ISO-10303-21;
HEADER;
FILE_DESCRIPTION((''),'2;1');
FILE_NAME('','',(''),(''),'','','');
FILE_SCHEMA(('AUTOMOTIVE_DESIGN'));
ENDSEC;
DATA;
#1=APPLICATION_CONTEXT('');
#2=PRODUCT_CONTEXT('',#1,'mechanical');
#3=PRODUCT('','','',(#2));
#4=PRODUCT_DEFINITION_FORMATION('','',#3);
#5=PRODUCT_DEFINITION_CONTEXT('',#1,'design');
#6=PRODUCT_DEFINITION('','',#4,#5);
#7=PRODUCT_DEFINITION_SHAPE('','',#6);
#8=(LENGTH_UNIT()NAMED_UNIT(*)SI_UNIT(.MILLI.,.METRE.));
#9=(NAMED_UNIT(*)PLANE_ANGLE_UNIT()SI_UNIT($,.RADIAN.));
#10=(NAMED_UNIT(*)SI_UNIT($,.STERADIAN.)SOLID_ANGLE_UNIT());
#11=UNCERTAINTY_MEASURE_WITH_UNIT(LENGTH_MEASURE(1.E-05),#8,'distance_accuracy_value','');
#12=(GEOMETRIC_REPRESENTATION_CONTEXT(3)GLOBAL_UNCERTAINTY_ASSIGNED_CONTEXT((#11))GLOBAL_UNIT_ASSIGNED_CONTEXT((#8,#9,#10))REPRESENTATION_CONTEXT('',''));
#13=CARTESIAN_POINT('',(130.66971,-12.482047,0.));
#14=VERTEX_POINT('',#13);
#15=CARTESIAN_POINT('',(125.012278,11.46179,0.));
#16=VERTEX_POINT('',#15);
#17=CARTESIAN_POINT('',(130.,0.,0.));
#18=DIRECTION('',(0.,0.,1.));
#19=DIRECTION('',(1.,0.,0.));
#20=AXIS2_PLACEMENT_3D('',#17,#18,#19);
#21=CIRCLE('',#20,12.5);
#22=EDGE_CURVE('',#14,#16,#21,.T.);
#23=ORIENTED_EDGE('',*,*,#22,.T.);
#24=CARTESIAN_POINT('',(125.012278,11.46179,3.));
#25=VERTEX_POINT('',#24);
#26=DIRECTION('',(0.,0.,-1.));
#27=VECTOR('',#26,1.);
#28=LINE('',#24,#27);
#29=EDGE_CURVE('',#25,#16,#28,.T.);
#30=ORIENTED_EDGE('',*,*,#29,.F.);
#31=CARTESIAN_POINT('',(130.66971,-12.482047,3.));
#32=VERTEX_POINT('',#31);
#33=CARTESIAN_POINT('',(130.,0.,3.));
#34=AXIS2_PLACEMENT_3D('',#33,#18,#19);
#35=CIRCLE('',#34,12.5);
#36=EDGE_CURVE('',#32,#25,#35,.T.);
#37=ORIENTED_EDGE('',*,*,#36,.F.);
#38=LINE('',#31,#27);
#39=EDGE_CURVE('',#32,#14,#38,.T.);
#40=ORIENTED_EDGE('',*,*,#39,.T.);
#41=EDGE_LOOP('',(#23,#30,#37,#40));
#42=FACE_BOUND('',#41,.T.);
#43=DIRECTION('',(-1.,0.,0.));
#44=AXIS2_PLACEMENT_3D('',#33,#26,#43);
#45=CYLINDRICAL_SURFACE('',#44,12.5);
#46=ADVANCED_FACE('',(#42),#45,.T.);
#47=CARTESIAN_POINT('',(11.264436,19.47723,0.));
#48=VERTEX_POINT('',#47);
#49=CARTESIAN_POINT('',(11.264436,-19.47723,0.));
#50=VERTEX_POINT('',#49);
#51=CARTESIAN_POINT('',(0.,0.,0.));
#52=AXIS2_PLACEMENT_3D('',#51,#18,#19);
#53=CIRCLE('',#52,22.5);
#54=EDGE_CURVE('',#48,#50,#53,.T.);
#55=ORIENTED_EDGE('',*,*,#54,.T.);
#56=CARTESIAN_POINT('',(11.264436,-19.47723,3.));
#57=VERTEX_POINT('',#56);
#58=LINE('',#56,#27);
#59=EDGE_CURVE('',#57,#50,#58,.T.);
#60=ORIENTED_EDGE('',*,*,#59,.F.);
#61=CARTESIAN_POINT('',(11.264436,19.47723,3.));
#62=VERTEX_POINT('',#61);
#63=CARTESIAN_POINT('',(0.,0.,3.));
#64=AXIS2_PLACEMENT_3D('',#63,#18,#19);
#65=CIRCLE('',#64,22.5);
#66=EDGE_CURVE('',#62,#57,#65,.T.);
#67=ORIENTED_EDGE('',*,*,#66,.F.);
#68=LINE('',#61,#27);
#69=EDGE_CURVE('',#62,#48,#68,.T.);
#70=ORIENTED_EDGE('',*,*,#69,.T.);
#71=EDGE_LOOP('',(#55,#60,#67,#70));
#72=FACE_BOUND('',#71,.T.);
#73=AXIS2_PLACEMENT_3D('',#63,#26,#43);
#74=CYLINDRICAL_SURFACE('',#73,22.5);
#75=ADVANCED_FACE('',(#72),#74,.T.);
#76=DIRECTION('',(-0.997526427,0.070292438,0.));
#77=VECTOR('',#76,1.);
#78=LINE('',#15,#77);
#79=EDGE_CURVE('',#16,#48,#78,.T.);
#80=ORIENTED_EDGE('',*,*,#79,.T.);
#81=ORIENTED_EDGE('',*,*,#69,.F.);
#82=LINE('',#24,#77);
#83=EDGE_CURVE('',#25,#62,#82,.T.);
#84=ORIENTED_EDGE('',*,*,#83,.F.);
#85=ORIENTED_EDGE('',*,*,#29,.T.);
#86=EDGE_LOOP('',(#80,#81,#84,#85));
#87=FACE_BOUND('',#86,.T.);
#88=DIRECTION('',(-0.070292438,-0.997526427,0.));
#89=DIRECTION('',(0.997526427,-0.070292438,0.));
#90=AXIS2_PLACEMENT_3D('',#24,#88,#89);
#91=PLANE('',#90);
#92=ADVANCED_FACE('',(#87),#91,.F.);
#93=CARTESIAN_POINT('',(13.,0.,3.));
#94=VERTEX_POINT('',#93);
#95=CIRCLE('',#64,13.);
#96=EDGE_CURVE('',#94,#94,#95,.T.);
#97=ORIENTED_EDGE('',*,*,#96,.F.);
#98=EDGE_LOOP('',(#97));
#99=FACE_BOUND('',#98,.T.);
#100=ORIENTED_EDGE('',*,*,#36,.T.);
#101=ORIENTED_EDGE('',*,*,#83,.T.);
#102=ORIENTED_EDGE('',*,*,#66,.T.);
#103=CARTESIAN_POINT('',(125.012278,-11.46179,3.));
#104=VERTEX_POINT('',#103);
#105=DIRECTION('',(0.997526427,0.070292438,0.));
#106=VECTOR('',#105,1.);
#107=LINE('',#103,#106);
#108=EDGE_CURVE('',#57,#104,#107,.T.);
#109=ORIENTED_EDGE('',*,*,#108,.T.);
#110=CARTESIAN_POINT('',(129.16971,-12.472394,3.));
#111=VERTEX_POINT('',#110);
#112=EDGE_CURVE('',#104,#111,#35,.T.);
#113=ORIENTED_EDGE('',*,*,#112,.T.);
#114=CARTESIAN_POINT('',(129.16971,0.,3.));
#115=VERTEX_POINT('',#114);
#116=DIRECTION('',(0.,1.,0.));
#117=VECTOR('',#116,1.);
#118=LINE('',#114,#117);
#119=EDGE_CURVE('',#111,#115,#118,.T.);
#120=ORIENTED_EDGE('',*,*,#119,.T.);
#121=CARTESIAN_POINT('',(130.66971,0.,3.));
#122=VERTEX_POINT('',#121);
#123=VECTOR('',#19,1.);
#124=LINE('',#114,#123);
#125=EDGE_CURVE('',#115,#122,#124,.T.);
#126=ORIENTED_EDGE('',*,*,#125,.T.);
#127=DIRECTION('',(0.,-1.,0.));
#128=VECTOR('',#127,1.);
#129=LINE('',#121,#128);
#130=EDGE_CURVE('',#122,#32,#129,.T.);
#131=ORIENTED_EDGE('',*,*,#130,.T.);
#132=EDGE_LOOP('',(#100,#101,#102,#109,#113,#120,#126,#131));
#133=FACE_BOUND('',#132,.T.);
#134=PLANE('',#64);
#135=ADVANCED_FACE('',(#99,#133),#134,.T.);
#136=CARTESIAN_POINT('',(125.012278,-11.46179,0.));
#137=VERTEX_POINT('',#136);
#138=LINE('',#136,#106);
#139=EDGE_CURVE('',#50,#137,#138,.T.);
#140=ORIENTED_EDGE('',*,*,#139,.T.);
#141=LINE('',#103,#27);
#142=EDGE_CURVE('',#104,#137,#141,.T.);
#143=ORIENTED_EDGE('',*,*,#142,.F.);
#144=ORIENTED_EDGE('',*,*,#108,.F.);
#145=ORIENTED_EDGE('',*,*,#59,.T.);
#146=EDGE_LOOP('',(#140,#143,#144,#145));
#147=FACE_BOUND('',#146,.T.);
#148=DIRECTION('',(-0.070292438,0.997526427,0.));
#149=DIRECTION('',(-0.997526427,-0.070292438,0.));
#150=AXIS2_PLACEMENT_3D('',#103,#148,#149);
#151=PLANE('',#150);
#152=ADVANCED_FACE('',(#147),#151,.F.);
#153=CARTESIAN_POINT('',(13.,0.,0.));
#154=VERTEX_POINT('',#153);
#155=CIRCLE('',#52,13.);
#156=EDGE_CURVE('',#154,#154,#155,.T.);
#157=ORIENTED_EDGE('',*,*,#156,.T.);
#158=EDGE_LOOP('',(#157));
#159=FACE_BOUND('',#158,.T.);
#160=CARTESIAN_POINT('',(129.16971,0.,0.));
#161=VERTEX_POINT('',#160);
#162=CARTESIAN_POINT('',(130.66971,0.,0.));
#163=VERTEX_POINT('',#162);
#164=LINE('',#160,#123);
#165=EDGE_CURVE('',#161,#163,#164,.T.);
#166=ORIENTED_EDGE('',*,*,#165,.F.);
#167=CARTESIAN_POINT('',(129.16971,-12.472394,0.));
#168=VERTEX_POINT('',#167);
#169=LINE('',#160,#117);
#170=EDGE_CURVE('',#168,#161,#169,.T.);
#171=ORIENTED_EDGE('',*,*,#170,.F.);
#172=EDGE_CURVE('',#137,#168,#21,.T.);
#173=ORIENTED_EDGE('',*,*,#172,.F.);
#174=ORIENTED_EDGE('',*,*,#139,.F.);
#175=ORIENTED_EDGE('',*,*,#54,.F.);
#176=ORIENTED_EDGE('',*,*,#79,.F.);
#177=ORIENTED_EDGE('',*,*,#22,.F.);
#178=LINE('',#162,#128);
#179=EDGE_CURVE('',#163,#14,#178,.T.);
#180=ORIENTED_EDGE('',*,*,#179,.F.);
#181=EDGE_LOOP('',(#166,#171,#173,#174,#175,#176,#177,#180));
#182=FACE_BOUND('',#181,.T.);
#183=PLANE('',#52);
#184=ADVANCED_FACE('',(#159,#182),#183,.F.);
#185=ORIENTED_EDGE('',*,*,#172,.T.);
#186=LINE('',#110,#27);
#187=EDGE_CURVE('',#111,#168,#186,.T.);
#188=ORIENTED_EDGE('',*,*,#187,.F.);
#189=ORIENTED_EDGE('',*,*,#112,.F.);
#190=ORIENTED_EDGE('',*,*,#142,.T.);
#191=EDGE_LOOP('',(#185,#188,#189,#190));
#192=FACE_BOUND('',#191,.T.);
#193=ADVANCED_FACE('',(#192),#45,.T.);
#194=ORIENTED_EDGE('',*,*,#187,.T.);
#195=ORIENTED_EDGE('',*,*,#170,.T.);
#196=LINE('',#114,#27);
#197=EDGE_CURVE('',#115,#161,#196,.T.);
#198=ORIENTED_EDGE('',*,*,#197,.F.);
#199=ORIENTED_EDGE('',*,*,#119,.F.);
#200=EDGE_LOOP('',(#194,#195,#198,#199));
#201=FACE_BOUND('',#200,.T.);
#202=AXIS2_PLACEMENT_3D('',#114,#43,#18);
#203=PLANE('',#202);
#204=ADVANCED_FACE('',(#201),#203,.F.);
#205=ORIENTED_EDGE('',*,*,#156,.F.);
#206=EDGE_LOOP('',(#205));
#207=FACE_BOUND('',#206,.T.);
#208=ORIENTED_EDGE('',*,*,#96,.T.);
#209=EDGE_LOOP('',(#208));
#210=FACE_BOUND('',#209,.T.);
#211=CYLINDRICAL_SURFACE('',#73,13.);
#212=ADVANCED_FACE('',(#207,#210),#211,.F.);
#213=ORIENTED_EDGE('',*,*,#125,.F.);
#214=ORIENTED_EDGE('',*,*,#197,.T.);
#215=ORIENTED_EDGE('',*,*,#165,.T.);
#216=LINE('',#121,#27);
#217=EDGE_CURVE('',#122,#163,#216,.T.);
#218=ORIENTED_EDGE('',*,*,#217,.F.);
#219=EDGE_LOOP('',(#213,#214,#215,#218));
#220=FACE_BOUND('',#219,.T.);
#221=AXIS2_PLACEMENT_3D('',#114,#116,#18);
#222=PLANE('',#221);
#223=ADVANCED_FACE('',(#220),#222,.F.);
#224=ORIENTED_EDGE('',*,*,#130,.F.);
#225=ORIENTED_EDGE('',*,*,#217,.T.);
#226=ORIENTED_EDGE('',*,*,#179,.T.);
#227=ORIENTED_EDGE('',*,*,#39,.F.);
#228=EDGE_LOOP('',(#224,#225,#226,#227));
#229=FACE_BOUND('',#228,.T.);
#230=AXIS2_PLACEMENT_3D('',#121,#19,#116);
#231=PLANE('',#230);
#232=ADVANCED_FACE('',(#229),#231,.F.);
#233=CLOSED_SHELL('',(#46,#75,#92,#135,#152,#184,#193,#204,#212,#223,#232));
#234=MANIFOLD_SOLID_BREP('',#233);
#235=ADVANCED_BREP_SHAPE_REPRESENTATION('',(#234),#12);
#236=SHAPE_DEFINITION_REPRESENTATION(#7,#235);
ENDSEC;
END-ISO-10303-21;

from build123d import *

# Parameters (mm, degrees)
SKETCH1_R           = 13
BOSS_EXTRUDE1_DEPTH = 3


with BuildPart() as part:
    # Sketch1 → Boss-Extrude1 (new body)
    with BuildSketch(Plane.XY):
        with BuildLine():
            Line((125.012278301, 11.461790098), (11.264435627, 19.47723004))
            ThreePointArc((11.264435627, 19.47723004), (-22.5, 0), (11.264435627, -19.47723004))
            Line((11.264435627, -19.47723004), (125.012278301, -11.461790098))
            ThreePointArc((125.012278301, -11.461790098), (127.047433933, -12.146289706), (129.169709598, -12.472394231))
            Line((129.169709598, -12.472394231), (129.169709598, 0))
            Line((129.169709598, 0), (130.669709598, 0))
            Line((130.669709598, 0), (130.669709598, -12.482046669))
            ThreePointArc((130.669709598, -12.482046669), (142.165037481, 2.87434568), (125.012278301, 11.461790098))
        make_face()
        Circle(SKETCH1_R, mode=Mode.SUBTRACT)
    extrude(amount=BOSS_EXTRUDE1_DEPTH)


solid = part.part
